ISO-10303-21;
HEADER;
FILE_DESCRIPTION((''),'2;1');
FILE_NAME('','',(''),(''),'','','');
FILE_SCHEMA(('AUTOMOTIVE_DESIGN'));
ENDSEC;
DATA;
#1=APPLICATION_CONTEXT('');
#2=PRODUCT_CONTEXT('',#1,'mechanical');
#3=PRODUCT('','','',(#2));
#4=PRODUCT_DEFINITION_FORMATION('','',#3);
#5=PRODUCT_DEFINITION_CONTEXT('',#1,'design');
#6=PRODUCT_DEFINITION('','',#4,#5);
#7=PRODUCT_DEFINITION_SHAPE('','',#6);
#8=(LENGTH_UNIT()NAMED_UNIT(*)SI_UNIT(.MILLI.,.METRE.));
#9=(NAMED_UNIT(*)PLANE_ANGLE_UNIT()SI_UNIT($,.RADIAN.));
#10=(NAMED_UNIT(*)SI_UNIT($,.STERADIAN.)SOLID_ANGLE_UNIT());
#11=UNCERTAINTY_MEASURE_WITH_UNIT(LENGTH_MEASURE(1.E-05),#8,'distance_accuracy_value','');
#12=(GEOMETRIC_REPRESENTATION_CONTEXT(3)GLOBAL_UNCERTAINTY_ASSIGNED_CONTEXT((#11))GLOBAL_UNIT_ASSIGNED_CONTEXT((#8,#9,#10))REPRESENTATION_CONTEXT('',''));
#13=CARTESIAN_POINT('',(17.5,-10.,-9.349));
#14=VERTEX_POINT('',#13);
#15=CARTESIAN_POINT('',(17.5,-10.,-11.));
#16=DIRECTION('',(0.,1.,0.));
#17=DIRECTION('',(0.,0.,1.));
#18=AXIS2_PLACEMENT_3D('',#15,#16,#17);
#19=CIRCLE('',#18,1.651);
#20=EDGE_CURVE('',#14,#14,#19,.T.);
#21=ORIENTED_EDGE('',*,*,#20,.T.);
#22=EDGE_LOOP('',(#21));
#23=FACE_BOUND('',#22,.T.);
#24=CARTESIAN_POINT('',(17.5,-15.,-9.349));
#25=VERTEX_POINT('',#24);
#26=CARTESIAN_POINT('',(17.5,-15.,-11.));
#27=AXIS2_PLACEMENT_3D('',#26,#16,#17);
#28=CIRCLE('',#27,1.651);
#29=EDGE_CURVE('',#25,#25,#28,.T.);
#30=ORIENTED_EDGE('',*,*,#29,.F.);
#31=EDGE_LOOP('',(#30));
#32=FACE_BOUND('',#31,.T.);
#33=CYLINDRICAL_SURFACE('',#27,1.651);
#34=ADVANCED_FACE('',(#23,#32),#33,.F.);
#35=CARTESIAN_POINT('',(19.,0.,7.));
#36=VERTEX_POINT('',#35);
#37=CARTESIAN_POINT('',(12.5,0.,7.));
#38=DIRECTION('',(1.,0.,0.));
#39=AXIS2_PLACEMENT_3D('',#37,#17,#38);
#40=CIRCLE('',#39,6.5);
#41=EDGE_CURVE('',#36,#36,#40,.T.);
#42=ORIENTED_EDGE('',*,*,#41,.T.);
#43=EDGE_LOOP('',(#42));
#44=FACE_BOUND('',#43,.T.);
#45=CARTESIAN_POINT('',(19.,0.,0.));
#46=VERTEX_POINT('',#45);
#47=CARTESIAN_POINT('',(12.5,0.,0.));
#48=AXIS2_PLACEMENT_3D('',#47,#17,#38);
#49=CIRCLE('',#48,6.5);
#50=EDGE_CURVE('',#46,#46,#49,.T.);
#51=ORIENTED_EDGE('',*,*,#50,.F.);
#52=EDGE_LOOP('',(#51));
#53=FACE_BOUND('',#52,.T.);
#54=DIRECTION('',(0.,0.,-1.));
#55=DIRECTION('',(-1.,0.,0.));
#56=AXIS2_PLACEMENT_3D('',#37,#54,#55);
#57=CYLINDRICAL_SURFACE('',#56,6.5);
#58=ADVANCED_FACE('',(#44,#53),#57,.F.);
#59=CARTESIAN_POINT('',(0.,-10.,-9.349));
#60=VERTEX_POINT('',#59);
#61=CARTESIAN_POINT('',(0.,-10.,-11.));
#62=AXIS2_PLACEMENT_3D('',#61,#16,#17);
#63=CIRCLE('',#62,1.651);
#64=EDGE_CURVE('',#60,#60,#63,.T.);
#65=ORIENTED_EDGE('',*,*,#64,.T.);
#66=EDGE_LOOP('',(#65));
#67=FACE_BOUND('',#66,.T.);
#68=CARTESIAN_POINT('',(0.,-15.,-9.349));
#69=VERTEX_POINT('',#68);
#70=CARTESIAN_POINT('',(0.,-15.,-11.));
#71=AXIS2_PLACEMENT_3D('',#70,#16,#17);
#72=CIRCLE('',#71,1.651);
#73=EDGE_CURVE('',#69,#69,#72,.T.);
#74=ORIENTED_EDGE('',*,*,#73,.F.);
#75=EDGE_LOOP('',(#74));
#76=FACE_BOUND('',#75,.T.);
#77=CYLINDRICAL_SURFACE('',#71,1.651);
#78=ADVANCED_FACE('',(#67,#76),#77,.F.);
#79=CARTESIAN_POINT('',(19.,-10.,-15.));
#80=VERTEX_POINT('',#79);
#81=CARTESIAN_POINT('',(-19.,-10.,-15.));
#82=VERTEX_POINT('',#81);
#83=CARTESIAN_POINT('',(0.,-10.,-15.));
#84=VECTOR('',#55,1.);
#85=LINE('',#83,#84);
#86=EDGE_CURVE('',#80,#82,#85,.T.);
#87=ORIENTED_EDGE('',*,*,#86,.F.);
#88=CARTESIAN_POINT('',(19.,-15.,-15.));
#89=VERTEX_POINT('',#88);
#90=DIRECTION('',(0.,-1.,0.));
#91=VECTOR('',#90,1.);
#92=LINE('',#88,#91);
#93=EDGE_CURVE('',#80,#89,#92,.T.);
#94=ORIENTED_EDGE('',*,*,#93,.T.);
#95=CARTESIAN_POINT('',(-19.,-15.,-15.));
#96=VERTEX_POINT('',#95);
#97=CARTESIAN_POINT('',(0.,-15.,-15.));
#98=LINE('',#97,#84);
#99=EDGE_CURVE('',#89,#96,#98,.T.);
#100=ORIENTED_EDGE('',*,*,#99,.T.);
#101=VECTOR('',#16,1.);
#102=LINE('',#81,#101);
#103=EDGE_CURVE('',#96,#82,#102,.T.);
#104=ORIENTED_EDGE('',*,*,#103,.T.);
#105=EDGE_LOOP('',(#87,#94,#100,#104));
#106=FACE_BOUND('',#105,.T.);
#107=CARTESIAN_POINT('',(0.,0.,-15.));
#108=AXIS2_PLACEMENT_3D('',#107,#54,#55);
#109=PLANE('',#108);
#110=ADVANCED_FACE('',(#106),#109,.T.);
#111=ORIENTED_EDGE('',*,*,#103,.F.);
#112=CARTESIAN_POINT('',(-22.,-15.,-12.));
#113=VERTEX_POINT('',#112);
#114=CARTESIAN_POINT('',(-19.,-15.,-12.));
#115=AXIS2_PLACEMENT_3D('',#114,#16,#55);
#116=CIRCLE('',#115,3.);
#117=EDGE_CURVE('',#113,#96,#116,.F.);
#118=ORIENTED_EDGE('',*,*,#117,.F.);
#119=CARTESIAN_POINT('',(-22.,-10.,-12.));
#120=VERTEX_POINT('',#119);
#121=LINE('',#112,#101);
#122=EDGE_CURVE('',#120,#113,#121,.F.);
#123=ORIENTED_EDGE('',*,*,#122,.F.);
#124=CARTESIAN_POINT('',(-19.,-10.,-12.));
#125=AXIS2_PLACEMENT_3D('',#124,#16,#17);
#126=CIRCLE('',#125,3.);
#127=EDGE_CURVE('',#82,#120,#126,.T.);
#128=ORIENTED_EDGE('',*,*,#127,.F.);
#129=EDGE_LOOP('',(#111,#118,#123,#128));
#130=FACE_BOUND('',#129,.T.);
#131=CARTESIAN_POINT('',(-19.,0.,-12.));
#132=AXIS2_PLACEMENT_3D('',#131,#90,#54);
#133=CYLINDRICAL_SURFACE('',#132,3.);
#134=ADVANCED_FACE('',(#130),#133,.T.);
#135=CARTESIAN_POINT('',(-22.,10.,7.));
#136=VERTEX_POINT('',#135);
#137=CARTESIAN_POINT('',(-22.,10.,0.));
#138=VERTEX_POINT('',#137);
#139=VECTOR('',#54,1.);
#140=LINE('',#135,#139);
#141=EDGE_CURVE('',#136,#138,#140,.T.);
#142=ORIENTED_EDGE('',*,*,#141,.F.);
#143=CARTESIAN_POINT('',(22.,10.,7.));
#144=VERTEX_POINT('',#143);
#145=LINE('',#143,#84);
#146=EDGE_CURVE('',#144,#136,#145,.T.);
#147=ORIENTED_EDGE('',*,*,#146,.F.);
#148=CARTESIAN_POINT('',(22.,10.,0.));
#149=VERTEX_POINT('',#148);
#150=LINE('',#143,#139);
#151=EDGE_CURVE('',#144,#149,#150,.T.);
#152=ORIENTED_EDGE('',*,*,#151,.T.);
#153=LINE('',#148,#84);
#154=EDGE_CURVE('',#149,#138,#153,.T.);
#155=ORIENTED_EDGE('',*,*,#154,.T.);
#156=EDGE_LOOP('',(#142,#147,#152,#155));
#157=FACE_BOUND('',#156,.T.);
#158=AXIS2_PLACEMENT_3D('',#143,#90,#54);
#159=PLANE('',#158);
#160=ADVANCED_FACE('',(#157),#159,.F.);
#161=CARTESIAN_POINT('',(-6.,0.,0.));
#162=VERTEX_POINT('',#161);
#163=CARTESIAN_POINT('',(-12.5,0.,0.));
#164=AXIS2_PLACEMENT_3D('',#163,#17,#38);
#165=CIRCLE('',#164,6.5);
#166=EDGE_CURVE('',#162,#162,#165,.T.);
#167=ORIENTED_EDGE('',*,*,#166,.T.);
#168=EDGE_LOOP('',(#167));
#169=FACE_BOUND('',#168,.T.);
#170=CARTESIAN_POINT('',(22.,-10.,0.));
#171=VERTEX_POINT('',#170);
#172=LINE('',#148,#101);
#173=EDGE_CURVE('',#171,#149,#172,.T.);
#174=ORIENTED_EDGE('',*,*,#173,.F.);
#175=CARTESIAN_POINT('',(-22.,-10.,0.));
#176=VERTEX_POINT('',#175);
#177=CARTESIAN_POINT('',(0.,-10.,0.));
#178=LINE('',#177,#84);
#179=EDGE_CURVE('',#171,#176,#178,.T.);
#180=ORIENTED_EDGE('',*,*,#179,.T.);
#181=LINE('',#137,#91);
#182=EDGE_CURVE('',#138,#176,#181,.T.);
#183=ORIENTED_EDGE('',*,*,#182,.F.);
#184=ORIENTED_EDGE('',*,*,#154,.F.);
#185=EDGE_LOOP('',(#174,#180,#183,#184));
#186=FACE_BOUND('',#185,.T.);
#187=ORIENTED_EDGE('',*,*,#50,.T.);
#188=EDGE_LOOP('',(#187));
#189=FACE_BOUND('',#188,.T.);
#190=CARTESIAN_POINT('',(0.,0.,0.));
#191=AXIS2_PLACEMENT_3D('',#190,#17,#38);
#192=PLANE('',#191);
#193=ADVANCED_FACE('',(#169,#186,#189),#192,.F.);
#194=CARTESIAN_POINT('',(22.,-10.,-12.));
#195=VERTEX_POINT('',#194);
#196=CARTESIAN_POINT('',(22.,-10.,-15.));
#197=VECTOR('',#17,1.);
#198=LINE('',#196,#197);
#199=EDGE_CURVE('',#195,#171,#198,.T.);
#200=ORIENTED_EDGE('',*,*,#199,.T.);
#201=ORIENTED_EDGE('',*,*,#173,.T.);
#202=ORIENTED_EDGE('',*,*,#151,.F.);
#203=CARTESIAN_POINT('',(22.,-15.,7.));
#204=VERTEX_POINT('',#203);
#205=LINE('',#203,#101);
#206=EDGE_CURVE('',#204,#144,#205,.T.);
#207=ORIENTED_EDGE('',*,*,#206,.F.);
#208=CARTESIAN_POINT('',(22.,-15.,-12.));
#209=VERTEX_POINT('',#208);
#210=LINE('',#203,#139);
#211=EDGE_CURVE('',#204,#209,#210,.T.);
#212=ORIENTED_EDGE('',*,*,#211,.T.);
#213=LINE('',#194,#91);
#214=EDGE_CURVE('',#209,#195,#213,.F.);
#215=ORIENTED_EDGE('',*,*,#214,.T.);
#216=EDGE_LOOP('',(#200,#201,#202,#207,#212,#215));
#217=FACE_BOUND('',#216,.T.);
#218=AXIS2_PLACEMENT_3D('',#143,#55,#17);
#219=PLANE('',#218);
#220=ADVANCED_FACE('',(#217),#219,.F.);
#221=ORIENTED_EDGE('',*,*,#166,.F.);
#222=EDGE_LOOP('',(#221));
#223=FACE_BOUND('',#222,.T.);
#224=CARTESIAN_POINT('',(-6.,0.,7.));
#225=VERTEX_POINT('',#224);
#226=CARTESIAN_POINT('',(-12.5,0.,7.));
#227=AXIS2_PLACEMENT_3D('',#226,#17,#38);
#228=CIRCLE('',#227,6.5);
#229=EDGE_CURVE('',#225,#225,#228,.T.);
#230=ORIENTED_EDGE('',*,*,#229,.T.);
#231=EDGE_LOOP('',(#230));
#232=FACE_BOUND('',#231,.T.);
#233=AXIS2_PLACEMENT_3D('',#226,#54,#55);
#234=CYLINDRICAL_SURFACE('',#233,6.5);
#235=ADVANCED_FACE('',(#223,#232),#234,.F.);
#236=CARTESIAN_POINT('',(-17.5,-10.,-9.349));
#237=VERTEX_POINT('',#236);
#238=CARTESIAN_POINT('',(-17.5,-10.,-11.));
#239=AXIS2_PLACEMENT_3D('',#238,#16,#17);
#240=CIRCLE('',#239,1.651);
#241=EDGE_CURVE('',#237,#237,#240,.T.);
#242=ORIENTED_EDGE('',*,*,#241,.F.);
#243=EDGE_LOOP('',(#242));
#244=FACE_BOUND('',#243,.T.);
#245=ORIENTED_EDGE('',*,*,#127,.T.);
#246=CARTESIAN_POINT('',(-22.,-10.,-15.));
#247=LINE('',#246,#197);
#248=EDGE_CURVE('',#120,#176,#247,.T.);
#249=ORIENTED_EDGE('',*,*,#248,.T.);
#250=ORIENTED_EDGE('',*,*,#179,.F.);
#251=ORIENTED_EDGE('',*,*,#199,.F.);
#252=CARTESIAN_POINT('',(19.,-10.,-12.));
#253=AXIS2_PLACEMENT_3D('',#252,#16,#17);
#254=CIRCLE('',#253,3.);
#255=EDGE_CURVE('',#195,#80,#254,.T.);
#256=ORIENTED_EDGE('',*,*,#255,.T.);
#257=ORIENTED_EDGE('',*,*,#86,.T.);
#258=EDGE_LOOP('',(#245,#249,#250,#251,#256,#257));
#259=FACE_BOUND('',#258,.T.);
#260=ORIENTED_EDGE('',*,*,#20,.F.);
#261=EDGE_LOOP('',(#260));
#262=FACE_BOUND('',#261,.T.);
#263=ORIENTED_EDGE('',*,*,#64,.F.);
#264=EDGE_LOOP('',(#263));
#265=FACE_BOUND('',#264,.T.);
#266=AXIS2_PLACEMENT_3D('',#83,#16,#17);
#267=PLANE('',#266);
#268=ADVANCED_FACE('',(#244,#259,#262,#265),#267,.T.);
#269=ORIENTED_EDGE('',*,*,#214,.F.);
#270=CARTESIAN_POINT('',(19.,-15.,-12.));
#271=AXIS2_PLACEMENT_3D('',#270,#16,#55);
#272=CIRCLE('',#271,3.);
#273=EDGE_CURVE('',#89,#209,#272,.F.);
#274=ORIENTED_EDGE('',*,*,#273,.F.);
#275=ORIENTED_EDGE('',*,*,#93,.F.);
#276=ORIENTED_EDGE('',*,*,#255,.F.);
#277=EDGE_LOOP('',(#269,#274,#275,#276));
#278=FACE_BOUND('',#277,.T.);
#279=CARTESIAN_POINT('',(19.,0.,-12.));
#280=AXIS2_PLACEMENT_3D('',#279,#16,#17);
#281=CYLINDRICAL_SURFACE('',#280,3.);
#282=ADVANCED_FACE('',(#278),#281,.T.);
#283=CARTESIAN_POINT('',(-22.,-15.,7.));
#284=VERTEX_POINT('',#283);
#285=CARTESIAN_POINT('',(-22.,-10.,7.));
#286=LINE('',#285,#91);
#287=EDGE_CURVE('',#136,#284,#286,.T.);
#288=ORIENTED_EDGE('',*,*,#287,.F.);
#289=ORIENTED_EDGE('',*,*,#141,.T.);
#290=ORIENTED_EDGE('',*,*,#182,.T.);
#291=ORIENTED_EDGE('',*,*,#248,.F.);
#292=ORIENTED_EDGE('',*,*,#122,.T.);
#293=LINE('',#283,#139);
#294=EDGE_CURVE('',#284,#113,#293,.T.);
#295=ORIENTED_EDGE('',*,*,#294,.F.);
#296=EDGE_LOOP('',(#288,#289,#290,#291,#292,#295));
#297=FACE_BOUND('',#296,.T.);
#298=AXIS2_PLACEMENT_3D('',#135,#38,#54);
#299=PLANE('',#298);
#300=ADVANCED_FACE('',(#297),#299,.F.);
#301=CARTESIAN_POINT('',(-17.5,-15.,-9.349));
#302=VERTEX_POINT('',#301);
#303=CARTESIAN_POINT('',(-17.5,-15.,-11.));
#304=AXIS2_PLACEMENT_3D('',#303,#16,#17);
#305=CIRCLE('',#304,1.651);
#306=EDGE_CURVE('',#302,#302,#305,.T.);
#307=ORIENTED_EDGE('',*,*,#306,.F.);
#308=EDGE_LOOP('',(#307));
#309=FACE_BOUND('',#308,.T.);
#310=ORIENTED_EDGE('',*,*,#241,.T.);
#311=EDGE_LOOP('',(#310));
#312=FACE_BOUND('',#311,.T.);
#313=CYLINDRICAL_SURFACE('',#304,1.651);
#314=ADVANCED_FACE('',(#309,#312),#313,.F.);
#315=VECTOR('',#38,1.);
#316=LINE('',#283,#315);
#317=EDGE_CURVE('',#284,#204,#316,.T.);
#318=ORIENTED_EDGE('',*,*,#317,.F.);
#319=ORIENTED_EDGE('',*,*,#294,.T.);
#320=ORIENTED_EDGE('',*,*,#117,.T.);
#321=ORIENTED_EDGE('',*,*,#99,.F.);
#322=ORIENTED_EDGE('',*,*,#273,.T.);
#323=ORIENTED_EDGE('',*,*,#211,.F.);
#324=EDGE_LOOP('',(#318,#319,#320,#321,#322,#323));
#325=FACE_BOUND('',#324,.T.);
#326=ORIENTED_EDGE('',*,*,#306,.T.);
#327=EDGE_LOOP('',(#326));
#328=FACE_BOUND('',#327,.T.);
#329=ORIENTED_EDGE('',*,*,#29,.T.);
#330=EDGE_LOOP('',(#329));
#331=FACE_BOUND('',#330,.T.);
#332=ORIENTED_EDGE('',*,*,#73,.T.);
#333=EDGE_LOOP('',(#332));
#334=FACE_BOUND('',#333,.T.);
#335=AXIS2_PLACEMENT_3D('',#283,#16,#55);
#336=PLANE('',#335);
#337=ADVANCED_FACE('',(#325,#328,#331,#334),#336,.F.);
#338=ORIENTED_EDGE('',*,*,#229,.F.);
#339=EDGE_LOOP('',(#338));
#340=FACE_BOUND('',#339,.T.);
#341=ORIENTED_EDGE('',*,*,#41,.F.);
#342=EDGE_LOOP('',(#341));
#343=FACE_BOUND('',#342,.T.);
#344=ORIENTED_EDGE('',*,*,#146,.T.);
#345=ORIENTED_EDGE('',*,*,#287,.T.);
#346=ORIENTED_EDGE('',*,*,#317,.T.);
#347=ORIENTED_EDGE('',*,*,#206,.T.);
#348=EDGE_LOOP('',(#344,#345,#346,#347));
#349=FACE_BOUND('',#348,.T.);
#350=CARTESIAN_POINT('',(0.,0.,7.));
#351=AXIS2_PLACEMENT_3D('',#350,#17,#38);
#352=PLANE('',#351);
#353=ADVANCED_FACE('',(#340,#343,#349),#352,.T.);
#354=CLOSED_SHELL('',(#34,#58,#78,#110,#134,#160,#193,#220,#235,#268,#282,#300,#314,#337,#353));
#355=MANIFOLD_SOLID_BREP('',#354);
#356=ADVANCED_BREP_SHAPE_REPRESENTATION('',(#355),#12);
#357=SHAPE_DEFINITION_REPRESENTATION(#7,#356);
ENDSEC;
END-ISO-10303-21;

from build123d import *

# Parameters (mm, degrees)
SKETCH1_R           = 6.5
BOSS_EXTRUDE1_DEPTH = 7
SKETCH2_W           = 22
SKETCH2_H           = 5
BOSS_EXTRUDE2_DEPTH = 15
SKETCH3_R           = 1.651
CUT_EXTRUDE1_DEPTH  = 34.301651611
FILLET1_R           = 3


with BuildPart() as part:
    # Sketch1 → Boss-Extrude1 (new body)
    with BuildSketch(Plane.XY):
        Polygon((22, 10), (-22, 10), (-22, -10), (-22, -15), (22, -15), (22, -10), align=None)
        with Locations((-12.5, 0)):
            Circle(SKETCH1_R, mode=Mode.SUBTRACT)
        with Locations((12.5, 0)):
            Circle(SKETCH1_R, mode=Mode.SUBTRACT)
    extrude(amount=BOSS_EXTRUDE1_DEPTH)

    # Sketch2 → Boss-Extrude2 (add)
    with BuildSketch(Plane(origin=(0, 0, 0), x_dir=(-1, 0, 0), z_dir=(0, 0, -1))):
        with Locations((-11, -12.5)):
            Rectangle(SKETCH2_W, SKETCH2_H)
        with Locations((11, -12.5)):
            Rectangle(SKETCH2_W, SKETCH2_H)
    extrude(amount=BOSS_EXTRUDE2_DEPTH)

    # Sketch3 → Cut-Extrude1 (cut, through all)
    with BuildSketch(Plane(origin=(0, -10, 0), x_dir=(1, 0, 0), z_dir=(0, 1, 0))):
        with Locations(Location((17.5, 11, 0), (0, 0, 270))):
            Circle(SKETCH3_R)
        with Locations(Location((0, 11, 0), (0, 0, 270))):
            Circle(SKETCH3_R)
        with Locations(Location((-17.5, 11, 0), (0, 0, 270))):
            Circle(SKETCH3_R)
    extrude(amount=-CUT_EXTRUDE1_DEPTH, mode=Mode.SUBTRACT)

    # Fillet1
    fillet1_edges = [part.edges().sort_by_distance(p)[0] for p in [
        (-22, -12.5, -15),
        (22, -12.5, -15),
    ]]
    fillet(fillet1_edges, radius=FILLET1_R)


solid = part.part
